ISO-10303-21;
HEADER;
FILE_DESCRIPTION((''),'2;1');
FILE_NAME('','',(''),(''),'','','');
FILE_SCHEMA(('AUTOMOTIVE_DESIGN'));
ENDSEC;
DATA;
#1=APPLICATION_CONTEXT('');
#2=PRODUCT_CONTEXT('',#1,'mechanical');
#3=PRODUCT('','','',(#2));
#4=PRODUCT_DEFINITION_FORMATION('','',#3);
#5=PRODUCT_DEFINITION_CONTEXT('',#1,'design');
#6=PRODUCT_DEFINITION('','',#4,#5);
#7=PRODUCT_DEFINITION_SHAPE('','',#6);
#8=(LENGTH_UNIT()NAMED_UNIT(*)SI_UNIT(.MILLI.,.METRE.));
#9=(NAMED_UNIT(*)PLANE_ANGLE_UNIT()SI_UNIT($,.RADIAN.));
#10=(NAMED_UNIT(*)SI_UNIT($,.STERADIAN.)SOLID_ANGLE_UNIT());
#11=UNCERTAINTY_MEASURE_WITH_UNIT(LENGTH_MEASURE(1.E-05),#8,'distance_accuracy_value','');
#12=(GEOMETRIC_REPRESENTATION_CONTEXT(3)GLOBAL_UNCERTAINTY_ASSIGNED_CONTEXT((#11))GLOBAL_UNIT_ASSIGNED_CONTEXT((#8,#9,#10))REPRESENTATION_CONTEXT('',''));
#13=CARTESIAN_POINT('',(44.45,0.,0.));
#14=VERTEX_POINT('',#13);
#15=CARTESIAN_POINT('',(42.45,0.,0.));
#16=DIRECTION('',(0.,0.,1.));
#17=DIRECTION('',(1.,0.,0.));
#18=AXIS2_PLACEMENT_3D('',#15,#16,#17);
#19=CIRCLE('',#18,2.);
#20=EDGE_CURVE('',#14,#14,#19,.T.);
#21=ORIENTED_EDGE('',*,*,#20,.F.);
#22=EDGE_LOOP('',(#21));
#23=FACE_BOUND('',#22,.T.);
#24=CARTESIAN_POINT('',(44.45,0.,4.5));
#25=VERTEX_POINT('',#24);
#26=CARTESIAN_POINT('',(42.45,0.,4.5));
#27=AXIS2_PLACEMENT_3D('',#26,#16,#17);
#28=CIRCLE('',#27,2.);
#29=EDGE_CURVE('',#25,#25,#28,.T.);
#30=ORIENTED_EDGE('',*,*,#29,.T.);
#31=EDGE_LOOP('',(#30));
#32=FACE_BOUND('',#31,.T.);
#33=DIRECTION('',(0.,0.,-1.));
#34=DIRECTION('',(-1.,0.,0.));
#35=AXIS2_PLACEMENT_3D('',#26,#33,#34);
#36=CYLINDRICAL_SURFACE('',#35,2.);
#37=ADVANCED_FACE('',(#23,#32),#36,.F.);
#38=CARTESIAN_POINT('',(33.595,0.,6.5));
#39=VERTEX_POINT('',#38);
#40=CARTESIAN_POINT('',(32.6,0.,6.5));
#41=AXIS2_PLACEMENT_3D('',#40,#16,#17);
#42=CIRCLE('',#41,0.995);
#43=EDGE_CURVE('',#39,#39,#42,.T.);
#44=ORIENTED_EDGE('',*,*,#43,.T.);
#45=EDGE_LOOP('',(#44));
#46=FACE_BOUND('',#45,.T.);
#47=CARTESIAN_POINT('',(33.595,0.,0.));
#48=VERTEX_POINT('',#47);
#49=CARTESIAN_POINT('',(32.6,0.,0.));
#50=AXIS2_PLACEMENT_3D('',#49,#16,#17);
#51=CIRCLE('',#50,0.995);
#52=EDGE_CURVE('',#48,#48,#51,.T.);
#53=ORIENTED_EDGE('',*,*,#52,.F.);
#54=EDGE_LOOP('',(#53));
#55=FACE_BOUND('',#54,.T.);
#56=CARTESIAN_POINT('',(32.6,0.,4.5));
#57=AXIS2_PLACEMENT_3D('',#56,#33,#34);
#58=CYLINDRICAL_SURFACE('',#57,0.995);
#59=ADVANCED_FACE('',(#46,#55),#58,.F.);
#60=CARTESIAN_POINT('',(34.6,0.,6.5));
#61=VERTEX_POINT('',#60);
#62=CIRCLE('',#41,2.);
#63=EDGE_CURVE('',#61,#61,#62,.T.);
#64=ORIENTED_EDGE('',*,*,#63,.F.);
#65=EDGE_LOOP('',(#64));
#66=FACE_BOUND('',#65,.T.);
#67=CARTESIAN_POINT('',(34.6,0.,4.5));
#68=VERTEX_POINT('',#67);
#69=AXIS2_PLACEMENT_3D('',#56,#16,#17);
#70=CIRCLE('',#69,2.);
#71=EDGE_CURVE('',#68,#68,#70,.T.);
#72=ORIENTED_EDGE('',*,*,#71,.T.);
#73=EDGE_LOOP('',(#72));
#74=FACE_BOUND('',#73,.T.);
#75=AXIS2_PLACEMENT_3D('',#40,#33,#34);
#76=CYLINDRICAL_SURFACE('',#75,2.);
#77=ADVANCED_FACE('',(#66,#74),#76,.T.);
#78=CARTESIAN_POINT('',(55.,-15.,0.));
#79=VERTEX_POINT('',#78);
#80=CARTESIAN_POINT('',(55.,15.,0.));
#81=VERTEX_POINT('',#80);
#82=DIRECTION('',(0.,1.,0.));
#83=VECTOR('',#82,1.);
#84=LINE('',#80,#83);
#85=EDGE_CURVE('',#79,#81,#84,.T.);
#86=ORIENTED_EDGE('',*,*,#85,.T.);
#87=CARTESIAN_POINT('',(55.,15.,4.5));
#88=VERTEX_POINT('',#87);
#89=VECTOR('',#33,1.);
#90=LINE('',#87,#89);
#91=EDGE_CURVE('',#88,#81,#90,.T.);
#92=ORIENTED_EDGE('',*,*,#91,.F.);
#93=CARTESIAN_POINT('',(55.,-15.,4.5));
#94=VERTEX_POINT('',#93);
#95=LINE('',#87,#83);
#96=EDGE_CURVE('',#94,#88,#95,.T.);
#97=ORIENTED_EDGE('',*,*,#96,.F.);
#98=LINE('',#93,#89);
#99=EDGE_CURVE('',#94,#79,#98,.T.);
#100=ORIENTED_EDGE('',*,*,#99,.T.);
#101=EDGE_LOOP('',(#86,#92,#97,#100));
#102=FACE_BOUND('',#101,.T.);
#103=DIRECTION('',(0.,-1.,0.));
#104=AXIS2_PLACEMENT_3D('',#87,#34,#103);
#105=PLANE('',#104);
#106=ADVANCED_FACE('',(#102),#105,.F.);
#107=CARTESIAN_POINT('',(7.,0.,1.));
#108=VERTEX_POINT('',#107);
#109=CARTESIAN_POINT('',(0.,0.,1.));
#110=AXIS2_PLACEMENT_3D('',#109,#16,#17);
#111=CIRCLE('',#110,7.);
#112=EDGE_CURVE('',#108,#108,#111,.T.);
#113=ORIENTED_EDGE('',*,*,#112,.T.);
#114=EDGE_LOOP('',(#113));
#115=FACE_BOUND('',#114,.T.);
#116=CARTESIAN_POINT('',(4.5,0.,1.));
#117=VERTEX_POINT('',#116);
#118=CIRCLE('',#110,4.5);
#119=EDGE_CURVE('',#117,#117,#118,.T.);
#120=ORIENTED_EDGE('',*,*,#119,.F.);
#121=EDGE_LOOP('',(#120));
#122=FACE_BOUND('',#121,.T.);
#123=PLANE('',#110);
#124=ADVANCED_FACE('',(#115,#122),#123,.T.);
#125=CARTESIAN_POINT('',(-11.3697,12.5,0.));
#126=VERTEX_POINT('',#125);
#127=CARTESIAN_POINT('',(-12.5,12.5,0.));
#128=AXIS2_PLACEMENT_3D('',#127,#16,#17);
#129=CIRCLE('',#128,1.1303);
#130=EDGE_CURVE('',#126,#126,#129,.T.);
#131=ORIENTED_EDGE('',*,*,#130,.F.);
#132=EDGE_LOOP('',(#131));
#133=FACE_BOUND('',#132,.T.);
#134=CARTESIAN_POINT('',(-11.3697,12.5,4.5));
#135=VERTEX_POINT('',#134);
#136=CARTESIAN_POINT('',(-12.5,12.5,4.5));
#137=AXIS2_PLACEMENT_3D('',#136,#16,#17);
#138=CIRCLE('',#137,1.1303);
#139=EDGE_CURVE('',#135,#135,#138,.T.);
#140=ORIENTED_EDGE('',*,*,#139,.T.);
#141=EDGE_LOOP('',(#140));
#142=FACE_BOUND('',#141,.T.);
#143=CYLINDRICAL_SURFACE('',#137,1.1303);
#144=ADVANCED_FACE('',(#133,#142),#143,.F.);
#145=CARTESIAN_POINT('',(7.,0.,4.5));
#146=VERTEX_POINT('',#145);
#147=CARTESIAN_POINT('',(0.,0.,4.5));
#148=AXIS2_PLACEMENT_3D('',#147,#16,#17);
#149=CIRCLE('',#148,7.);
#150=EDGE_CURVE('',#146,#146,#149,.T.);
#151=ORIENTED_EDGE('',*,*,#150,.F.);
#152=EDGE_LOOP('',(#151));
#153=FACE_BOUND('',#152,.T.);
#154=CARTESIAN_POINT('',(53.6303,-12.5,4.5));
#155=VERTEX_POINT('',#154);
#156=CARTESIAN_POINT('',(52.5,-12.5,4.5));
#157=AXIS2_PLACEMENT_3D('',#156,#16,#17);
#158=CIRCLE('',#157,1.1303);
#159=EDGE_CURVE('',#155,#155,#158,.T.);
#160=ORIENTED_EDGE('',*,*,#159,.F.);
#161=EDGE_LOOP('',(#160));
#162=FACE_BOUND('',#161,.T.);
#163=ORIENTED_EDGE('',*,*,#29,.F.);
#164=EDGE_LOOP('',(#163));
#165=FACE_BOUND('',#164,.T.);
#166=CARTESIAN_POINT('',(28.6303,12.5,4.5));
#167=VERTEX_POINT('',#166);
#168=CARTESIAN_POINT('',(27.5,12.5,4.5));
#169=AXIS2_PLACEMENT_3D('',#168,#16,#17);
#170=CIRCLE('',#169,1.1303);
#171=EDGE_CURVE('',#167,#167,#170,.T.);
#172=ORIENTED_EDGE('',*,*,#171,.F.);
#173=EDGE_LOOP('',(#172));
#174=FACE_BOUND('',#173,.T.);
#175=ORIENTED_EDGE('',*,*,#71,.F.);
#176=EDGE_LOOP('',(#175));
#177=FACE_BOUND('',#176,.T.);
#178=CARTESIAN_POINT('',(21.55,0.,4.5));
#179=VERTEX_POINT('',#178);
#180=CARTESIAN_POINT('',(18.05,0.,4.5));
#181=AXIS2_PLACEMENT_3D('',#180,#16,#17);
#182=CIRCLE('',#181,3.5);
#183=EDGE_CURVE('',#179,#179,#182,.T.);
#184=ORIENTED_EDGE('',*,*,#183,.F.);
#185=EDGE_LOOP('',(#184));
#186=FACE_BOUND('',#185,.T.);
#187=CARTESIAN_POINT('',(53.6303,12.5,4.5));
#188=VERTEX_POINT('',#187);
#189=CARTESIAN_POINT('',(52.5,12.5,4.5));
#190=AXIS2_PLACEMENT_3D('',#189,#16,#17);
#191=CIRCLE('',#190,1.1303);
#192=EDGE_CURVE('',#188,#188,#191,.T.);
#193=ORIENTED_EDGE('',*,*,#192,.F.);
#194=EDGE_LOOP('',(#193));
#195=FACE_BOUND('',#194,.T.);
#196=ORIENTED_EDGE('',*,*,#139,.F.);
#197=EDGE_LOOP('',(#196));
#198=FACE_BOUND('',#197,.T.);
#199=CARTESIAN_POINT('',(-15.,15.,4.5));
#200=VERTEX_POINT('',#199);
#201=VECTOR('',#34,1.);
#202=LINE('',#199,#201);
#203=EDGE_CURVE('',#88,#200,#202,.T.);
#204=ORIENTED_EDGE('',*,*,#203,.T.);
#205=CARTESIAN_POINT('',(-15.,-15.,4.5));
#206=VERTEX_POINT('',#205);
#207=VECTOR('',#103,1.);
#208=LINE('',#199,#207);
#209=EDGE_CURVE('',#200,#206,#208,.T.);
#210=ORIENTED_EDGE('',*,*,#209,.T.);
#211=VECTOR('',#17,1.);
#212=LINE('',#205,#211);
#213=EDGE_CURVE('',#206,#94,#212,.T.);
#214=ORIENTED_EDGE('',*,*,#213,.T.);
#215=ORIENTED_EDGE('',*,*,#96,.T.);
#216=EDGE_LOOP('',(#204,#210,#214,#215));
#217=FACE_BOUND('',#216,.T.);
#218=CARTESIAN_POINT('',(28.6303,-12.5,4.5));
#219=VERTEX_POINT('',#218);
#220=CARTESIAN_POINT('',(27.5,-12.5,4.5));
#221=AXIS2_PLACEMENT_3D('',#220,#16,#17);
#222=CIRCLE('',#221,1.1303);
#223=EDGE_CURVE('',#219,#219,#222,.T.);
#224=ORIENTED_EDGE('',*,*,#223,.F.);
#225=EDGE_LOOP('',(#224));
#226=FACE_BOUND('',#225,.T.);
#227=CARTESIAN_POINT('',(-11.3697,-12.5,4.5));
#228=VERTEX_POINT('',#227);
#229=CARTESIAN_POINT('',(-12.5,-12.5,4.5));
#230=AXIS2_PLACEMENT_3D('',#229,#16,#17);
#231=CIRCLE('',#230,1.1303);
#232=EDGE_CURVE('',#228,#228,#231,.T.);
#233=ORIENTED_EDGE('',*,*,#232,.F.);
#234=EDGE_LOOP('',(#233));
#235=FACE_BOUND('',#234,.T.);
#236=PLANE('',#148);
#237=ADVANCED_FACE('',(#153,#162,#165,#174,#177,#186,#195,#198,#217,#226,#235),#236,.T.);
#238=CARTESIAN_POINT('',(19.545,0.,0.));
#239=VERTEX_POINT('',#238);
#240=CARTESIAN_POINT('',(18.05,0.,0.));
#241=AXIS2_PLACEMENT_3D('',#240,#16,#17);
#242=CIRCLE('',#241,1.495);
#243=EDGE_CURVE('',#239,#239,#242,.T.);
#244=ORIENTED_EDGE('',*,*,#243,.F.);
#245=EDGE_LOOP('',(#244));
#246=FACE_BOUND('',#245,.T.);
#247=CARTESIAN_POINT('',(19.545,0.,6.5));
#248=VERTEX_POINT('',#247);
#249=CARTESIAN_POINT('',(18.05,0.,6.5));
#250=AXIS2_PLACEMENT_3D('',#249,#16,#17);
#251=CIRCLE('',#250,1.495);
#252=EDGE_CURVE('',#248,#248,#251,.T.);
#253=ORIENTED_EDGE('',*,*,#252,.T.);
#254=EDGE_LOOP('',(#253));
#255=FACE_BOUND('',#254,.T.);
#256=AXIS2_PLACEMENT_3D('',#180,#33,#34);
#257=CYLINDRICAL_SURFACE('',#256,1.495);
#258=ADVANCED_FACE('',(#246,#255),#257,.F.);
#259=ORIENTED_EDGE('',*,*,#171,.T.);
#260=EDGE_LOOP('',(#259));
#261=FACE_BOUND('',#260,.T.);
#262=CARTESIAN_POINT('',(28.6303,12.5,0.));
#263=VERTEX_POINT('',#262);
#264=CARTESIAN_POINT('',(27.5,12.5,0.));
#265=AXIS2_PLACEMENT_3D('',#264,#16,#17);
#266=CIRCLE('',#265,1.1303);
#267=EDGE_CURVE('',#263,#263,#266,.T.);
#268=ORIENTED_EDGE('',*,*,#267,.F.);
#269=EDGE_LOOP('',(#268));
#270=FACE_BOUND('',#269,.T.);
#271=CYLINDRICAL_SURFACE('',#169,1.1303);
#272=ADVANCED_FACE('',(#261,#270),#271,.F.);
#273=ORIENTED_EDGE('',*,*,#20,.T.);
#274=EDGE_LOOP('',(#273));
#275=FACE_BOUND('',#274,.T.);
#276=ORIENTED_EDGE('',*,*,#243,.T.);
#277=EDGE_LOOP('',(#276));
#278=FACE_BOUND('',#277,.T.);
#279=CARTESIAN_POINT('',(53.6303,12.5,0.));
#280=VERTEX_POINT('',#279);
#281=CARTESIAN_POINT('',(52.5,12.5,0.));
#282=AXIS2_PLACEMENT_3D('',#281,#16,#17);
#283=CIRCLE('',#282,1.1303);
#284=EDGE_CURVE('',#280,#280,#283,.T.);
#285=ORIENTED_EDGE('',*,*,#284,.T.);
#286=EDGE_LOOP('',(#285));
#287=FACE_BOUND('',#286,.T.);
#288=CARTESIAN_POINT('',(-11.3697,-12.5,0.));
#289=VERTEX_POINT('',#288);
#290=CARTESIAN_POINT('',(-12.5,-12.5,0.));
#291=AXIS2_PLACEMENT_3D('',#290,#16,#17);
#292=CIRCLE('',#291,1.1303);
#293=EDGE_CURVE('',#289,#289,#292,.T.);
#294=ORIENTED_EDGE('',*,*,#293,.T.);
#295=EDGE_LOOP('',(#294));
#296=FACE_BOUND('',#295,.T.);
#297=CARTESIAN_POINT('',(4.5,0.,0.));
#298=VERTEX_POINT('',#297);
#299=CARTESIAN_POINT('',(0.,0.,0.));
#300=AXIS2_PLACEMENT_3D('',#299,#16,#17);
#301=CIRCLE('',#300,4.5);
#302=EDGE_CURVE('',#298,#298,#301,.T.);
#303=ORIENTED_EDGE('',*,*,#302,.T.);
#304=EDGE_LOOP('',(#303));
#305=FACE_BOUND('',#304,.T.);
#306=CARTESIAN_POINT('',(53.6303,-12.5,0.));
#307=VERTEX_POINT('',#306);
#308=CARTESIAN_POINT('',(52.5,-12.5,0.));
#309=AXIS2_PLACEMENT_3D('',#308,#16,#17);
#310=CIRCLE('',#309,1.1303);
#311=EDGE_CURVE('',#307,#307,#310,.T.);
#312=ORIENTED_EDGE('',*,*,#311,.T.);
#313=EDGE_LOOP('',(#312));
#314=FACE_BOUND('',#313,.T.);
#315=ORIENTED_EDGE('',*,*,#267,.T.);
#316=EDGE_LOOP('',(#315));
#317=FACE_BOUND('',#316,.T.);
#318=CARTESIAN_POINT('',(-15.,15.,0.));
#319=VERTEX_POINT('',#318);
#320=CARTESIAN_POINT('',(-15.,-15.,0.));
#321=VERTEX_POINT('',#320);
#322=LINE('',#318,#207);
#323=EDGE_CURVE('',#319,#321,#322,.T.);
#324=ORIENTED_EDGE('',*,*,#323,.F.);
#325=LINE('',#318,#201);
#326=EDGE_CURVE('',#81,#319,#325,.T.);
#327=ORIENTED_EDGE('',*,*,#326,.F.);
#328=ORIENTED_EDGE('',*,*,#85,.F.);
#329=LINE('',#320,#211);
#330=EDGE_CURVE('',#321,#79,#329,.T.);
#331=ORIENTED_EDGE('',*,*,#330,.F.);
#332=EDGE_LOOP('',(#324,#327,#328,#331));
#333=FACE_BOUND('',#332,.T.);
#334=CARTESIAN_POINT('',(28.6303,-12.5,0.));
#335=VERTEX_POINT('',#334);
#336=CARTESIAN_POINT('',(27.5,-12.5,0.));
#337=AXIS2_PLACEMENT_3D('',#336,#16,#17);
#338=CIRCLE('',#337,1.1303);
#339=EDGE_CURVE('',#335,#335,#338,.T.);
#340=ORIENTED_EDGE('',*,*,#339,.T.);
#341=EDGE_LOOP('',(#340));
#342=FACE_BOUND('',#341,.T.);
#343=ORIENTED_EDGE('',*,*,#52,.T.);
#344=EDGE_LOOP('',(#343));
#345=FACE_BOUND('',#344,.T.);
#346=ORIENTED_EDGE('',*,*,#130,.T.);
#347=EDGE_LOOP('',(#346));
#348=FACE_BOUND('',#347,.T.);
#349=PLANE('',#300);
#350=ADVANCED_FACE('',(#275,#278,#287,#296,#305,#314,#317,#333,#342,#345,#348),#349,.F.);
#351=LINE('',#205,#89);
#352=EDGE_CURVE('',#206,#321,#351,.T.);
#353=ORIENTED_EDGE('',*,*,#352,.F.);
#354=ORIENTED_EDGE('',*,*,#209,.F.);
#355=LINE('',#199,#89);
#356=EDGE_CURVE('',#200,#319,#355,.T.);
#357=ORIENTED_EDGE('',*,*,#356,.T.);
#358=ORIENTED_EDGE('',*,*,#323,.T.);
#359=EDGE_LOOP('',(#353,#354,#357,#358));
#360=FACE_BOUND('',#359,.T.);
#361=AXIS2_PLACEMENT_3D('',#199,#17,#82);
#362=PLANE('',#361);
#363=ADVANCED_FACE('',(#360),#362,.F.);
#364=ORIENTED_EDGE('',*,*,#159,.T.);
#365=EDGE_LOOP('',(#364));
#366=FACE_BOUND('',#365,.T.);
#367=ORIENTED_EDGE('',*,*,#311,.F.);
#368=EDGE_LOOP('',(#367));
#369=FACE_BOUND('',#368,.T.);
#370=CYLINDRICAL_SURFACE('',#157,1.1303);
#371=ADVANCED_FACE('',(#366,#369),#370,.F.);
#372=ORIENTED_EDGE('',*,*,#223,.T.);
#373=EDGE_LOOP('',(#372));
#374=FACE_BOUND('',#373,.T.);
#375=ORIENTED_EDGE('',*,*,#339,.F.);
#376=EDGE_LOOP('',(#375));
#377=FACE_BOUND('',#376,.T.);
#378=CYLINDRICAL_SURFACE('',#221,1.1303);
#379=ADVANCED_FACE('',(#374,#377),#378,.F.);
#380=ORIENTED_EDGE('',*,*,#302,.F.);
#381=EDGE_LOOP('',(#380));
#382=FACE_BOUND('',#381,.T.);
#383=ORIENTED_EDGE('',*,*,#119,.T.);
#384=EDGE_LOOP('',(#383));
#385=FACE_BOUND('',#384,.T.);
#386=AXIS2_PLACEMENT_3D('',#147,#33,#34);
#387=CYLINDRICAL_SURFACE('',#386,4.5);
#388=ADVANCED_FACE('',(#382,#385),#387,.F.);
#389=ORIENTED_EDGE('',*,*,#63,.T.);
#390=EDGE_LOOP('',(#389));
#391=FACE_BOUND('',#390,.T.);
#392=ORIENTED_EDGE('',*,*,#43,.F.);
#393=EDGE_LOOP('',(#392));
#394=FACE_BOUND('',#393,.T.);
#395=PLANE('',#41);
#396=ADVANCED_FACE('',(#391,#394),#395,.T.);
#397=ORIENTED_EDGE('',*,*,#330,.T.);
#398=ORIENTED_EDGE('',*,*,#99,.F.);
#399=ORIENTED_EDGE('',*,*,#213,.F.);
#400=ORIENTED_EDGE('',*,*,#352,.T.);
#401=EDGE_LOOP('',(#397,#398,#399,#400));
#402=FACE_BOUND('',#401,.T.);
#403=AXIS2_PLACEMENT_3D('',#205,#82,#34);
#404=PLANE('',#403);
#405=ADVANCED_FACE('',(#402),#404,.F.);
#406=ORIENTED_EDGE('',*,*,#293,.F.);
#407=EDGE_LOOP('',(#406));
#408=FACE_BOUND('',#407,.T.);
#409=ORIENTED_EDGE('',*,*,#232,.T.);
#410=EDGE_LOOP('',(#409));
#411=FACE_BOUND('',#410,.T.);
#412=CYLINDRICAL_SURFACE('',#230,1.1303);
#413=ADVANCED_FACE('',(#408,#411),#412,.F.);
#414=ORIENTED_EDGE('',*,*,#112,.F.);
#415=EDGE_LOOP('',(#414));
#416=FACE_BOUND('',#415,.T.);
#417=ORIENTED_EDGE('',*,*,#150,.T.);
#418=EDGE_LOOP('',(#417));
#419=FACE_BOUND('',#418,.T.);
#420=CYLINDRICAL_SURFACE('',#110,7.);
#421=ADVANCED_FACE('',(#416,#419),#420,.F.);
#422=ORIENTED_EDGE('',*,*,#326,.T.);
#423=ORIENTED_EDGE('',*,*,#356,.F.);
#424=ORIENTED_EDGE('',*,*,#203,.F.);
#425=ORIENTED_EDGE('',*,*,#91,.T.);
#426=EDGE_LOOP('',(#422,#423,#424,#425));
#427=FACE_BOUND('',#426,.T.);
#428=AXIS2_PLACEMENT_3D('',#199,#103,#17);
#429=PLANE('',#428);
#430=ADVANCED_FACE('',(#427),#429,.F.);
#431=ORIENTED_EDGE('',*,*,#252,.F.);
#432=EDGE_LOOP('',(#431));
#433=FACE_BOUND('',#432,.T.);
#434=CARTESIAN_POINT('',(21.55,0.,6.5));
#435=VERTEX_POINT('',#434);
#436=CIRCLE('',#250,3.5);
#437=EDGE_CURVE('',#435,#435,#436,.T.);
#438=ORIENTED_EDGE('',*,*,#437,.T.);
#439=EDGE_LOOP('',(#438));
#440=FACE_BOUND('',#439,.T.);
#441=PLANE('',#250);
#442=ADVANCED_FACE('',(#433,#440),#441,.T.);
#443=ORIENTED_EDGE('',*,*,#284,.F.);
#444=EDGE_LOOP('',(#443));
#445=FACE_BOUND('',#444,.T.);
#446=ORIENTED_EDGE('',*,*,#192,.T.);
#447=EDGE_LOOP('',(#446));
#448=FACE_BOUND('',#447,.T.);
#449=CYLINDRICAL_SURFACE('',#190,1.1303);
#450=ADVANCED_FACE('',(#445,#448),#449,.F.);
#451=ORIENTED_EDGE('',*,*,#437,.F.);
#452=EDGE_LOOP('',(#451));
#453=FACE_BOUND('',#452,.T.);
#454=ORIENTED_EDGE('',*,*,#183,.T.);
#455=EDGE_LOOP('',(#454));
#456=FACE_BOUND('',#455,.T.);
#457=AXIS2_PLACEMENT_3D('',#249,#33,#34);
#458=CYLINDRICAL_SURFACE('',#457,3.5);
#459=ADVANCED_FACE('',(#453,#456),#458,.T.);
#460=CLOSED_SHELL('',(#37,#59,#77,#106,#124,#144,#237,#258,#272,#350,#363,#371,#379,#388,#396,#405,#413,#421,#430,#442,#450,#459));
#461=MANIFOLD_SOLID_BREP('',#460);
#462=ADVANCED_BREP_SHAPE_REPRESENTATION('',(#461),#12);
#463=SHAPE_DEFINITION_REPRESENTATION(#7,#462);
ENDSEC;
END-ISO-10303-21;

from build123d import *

# Parameters (mm, degrees)
SKETCH1_W             = 70
SKETCH1_H             = 30
SKETCH1_R             = 4.5
SKETCH1_R_2           = 1.495
SKETCH1_R_3           = 0.995
SKETCH1_R_4           = 2
BOSS_EXTRUDE1_DEPTH   = 4.5
F_2_CLEARANCE_HOLE1_D = 2.2606
SKETCH6_R             = 7
CUT_EXTRUDE1_DEPTH    = 3.5
SKETCH7_R             = 3.5
SKETCH7_R_2           = 1.495
BOSS_EXTRUDE2_DEPTH   = 2
SKETCH8_R             = 2
SKETCH8_R_2           = 0.995
BOSS_EXTRUDE3_DEPTH   = 2


with BuildPart() as part:
    # Sketch1 → Boss-Extrude1 (new body)
    with BuildSketch(Plane.XY):
        with Locations((20, 0)):
            Rectangle(SKETCH1_W, SKETCH1_H)
        Circle(SKETCH1_R, mode=Mode.SUBTRACT)
        with Locations((18.05, 0)):
            Circle(SKETCH1_R_2, mode=Mode.SUBTRACT)
        with Locations((32.6, 0)):
            Circle(SKETCH1_R_3, mode=Mode.SUBTRACT)
        with Locations((42.449999958, 0)):
            Circle(SKETCH1_R_4, mode=Mode.SUBTRACT)
    extrude(amount=BOSS_EXTRUDE1_DEPTH)

    # #2 Clearance Hole1 (through all)
    with Locations(Plane.XY.offset(4.5)):
        with Locations((-12.5, 12.5), (-12.5, -12.5), (27.5, 12.5), (27.5, -12.5), (52.5, 12.5), (52.5, -12.5)):
            Hole(F_2_CLEARANCE_HOLE1_D / 2)

    # Sketch6 → Cut-Extrude1 (cut)
    with BuildSketch(Plane.XY.offset(4.5)):
        Circle(SKETCH6_R)
    extrude(amount=-CUT_EXTRUDE1_DEPTH, mode=Mode.SUBTRACT)

    # Sketch7 → Boss-Extrude2 (add)
    with BuildSketch(Plane.XY.offset(4.5)):
        with Locations((18.05, 0)):
            Circle(SKETCH7_R)
        with Locations((18.05, 0)):
            Circle(SKETCH7_R_2, mode=Mode.SUBTRACT)
    extrude(amount=BOSS_EXTRUDE2_DEPTH)

    # Sketch8 → Boss-Extrude3 (add)
    with BuildSketch(Plane.XY.offset(4.5)):
        with Locations((32.6, 0)):
            Circle(SKETCH8_R)
        with Locations((32.6, 0)):
            Circle(SKETCH8_R_2, mode=Mode.SUBTRACT)
    extrude(amount=BOSS_EXTRUDE3_DEPTH)


solid = part.part
